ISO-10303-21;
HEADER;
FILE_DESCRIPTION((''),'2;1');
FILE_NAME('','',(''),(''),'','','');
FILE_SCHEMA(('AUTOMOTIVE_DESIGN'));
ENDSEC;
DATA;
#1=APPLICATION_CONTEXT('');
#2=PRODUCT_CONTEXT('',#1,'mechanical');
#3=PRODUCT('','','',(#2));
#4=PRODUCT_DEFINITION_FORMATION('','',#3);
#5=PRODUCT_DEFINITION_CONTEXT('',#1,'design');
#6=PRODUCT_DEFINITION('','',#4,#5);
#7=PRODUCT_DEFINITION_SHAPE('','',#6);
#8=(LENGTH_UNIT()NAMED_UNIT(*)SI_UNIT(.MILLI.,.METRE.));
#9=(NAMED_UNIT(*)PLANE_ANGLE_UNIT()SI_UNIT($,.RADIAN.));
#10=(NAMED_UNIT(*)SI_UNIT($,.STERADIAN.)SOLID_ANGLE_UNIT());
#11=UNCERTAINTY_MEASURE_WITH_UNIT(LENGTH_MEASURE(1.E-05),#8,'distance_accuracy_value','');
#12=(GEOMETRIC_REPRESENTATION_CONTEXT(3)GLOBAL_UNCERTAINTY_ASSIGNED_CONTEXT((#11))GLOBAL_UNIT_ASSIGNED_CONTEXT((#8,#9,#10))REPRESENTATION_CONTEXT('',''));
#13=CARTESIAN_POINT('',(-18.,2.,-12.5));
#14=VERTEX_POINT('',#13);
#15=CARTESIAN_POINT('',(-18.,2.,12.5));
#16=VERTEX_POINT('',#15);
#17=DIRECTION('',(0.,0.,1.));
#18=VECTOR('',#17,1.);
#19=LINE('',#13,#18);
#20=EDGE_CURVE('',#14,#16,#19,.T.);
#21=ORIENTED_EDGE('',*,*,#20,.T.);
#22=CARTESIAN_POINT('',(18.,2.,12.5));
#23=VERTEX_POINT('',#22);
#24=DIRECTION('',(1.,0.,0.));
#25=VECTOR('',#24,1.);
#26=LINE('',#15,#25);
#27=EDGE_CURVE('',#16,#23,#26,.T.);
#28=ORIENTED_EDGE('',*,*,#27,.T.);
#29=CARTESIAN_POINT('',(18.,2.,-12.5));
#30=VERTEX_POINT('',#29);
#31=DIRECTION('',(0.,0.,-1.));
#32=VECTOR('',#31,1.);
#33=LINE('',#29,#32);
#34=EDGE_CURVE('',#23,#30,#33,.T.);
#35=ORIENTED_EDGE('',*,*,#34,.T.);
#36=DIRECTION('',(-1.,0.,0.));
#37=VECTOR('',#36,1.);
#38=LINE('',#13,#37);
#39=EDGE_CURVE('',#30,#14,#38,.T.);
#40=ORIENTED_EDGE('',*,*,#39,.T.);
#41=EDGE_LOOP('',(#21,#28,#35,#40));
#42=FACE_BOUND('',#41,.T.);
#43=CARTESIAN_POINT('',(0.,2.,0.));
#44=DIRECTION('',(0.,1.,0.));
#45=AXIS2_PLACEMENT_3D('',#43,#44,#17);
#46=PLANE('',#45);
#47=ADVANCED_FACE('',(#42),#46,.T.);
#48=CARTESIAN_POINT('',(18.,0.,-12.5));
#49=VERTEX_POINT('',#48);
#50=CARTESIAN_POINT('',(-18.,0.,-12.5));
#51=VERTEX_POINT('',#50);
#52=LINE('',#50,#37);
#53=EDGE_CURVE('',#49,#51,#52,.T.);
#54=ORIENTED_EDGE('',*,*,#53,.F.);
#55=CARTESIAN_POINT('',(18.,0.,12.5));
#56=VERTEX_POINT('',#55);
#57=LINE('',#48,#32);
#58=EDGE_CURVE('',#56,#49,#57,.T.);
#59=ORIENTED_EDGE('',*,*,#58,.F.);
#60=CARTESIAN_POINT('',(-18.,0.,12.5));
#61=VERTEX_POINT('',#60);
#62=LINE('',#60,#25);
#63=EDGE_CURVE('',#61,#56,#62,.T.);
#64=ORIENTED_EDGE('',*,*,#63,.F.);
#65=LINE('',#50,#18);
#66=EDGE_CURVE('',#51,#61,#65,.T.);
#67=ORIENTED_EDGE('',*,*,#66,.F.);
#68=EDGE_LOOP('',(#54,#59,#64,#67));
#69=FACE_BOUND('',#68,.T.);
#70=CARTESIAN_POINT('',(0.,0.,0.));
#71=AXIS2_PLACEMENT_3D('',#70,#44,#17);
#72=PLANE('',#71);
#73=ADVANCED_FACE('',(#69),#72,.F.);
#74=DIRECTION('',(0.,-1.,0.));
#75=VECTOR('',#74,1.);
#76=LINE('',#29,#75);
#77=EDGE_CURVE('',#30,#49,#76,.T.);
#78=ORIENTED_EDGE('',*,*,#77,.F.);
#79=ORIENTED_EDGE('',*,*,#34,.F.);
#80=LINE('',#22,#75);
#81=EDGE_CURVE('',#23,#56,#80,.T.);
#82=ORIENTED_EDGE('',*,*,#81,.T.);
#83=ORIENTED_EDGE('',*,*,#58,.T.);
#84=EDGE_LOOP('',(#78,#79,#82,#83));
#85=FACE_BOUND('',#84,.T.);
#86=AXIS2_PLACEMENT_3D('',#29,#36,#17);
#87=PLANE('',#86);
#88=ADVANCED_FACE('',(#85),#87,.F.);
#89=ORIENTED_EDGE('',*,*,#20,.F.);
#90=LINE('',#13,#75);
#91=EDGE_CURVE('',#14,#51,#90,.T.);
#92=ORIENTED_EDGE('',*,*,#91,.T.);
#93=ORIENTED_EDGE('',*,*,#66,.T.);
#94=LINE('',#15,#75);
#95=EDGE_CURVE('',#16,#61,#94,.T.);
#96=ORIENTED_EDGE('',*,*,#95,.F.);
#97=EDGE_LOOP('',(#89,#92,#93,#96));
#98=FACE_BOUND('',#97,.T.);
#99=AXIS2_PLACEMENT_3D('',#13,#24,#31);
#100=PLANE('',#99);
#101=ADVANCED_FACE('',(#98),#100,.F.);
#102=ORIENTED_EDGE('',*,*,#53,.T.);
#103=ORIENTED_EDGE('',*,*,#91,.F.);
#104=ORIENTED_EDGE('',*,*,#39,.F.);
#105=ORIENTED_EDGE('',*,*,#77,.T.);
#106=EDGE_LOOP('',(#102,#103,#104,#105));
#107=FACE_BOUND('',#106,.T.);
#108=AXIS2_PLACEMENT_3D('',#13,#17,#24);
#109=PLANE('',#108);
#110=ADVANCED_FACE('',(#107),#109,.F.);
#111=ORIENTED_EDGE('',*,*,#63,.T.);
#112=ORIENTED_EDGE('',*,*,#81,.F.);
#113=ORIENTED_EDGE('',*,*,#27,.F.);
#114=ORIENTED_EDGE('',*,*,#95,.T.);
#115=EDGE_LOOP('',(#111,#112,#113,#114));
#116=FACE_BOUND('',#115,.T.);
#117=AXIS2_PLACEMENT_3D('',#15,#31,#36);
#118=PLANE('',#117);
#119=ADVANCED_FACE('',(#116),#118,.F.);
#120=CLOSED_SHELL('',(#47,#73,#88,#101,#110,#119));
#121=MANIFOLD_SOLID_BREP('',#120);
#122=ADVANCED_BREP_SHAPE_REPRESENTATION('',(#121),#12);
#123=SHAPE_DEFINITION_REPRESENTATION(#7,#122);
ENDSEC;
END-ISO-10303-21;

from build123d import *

# Parameters (mm, degrees)
SKETCH_1_W      = 36
SKETCH_1_H      = 25
EXTRUDE_1_DEPTH = 2


with BuildPart() as part:
    # 草图1 → 凸台-拉伸1 (new body)
    with BuildSketch(Plane(origin=(0, 0, 0), x_dir=(1, 0, 0), z_dir=(0, 1, 0))):
        Rectangle(SKETCH_1_W, SKETCH_1_H)
    extrude(amount=EXTRUDE_1_DEPTH)


solid = part.part
